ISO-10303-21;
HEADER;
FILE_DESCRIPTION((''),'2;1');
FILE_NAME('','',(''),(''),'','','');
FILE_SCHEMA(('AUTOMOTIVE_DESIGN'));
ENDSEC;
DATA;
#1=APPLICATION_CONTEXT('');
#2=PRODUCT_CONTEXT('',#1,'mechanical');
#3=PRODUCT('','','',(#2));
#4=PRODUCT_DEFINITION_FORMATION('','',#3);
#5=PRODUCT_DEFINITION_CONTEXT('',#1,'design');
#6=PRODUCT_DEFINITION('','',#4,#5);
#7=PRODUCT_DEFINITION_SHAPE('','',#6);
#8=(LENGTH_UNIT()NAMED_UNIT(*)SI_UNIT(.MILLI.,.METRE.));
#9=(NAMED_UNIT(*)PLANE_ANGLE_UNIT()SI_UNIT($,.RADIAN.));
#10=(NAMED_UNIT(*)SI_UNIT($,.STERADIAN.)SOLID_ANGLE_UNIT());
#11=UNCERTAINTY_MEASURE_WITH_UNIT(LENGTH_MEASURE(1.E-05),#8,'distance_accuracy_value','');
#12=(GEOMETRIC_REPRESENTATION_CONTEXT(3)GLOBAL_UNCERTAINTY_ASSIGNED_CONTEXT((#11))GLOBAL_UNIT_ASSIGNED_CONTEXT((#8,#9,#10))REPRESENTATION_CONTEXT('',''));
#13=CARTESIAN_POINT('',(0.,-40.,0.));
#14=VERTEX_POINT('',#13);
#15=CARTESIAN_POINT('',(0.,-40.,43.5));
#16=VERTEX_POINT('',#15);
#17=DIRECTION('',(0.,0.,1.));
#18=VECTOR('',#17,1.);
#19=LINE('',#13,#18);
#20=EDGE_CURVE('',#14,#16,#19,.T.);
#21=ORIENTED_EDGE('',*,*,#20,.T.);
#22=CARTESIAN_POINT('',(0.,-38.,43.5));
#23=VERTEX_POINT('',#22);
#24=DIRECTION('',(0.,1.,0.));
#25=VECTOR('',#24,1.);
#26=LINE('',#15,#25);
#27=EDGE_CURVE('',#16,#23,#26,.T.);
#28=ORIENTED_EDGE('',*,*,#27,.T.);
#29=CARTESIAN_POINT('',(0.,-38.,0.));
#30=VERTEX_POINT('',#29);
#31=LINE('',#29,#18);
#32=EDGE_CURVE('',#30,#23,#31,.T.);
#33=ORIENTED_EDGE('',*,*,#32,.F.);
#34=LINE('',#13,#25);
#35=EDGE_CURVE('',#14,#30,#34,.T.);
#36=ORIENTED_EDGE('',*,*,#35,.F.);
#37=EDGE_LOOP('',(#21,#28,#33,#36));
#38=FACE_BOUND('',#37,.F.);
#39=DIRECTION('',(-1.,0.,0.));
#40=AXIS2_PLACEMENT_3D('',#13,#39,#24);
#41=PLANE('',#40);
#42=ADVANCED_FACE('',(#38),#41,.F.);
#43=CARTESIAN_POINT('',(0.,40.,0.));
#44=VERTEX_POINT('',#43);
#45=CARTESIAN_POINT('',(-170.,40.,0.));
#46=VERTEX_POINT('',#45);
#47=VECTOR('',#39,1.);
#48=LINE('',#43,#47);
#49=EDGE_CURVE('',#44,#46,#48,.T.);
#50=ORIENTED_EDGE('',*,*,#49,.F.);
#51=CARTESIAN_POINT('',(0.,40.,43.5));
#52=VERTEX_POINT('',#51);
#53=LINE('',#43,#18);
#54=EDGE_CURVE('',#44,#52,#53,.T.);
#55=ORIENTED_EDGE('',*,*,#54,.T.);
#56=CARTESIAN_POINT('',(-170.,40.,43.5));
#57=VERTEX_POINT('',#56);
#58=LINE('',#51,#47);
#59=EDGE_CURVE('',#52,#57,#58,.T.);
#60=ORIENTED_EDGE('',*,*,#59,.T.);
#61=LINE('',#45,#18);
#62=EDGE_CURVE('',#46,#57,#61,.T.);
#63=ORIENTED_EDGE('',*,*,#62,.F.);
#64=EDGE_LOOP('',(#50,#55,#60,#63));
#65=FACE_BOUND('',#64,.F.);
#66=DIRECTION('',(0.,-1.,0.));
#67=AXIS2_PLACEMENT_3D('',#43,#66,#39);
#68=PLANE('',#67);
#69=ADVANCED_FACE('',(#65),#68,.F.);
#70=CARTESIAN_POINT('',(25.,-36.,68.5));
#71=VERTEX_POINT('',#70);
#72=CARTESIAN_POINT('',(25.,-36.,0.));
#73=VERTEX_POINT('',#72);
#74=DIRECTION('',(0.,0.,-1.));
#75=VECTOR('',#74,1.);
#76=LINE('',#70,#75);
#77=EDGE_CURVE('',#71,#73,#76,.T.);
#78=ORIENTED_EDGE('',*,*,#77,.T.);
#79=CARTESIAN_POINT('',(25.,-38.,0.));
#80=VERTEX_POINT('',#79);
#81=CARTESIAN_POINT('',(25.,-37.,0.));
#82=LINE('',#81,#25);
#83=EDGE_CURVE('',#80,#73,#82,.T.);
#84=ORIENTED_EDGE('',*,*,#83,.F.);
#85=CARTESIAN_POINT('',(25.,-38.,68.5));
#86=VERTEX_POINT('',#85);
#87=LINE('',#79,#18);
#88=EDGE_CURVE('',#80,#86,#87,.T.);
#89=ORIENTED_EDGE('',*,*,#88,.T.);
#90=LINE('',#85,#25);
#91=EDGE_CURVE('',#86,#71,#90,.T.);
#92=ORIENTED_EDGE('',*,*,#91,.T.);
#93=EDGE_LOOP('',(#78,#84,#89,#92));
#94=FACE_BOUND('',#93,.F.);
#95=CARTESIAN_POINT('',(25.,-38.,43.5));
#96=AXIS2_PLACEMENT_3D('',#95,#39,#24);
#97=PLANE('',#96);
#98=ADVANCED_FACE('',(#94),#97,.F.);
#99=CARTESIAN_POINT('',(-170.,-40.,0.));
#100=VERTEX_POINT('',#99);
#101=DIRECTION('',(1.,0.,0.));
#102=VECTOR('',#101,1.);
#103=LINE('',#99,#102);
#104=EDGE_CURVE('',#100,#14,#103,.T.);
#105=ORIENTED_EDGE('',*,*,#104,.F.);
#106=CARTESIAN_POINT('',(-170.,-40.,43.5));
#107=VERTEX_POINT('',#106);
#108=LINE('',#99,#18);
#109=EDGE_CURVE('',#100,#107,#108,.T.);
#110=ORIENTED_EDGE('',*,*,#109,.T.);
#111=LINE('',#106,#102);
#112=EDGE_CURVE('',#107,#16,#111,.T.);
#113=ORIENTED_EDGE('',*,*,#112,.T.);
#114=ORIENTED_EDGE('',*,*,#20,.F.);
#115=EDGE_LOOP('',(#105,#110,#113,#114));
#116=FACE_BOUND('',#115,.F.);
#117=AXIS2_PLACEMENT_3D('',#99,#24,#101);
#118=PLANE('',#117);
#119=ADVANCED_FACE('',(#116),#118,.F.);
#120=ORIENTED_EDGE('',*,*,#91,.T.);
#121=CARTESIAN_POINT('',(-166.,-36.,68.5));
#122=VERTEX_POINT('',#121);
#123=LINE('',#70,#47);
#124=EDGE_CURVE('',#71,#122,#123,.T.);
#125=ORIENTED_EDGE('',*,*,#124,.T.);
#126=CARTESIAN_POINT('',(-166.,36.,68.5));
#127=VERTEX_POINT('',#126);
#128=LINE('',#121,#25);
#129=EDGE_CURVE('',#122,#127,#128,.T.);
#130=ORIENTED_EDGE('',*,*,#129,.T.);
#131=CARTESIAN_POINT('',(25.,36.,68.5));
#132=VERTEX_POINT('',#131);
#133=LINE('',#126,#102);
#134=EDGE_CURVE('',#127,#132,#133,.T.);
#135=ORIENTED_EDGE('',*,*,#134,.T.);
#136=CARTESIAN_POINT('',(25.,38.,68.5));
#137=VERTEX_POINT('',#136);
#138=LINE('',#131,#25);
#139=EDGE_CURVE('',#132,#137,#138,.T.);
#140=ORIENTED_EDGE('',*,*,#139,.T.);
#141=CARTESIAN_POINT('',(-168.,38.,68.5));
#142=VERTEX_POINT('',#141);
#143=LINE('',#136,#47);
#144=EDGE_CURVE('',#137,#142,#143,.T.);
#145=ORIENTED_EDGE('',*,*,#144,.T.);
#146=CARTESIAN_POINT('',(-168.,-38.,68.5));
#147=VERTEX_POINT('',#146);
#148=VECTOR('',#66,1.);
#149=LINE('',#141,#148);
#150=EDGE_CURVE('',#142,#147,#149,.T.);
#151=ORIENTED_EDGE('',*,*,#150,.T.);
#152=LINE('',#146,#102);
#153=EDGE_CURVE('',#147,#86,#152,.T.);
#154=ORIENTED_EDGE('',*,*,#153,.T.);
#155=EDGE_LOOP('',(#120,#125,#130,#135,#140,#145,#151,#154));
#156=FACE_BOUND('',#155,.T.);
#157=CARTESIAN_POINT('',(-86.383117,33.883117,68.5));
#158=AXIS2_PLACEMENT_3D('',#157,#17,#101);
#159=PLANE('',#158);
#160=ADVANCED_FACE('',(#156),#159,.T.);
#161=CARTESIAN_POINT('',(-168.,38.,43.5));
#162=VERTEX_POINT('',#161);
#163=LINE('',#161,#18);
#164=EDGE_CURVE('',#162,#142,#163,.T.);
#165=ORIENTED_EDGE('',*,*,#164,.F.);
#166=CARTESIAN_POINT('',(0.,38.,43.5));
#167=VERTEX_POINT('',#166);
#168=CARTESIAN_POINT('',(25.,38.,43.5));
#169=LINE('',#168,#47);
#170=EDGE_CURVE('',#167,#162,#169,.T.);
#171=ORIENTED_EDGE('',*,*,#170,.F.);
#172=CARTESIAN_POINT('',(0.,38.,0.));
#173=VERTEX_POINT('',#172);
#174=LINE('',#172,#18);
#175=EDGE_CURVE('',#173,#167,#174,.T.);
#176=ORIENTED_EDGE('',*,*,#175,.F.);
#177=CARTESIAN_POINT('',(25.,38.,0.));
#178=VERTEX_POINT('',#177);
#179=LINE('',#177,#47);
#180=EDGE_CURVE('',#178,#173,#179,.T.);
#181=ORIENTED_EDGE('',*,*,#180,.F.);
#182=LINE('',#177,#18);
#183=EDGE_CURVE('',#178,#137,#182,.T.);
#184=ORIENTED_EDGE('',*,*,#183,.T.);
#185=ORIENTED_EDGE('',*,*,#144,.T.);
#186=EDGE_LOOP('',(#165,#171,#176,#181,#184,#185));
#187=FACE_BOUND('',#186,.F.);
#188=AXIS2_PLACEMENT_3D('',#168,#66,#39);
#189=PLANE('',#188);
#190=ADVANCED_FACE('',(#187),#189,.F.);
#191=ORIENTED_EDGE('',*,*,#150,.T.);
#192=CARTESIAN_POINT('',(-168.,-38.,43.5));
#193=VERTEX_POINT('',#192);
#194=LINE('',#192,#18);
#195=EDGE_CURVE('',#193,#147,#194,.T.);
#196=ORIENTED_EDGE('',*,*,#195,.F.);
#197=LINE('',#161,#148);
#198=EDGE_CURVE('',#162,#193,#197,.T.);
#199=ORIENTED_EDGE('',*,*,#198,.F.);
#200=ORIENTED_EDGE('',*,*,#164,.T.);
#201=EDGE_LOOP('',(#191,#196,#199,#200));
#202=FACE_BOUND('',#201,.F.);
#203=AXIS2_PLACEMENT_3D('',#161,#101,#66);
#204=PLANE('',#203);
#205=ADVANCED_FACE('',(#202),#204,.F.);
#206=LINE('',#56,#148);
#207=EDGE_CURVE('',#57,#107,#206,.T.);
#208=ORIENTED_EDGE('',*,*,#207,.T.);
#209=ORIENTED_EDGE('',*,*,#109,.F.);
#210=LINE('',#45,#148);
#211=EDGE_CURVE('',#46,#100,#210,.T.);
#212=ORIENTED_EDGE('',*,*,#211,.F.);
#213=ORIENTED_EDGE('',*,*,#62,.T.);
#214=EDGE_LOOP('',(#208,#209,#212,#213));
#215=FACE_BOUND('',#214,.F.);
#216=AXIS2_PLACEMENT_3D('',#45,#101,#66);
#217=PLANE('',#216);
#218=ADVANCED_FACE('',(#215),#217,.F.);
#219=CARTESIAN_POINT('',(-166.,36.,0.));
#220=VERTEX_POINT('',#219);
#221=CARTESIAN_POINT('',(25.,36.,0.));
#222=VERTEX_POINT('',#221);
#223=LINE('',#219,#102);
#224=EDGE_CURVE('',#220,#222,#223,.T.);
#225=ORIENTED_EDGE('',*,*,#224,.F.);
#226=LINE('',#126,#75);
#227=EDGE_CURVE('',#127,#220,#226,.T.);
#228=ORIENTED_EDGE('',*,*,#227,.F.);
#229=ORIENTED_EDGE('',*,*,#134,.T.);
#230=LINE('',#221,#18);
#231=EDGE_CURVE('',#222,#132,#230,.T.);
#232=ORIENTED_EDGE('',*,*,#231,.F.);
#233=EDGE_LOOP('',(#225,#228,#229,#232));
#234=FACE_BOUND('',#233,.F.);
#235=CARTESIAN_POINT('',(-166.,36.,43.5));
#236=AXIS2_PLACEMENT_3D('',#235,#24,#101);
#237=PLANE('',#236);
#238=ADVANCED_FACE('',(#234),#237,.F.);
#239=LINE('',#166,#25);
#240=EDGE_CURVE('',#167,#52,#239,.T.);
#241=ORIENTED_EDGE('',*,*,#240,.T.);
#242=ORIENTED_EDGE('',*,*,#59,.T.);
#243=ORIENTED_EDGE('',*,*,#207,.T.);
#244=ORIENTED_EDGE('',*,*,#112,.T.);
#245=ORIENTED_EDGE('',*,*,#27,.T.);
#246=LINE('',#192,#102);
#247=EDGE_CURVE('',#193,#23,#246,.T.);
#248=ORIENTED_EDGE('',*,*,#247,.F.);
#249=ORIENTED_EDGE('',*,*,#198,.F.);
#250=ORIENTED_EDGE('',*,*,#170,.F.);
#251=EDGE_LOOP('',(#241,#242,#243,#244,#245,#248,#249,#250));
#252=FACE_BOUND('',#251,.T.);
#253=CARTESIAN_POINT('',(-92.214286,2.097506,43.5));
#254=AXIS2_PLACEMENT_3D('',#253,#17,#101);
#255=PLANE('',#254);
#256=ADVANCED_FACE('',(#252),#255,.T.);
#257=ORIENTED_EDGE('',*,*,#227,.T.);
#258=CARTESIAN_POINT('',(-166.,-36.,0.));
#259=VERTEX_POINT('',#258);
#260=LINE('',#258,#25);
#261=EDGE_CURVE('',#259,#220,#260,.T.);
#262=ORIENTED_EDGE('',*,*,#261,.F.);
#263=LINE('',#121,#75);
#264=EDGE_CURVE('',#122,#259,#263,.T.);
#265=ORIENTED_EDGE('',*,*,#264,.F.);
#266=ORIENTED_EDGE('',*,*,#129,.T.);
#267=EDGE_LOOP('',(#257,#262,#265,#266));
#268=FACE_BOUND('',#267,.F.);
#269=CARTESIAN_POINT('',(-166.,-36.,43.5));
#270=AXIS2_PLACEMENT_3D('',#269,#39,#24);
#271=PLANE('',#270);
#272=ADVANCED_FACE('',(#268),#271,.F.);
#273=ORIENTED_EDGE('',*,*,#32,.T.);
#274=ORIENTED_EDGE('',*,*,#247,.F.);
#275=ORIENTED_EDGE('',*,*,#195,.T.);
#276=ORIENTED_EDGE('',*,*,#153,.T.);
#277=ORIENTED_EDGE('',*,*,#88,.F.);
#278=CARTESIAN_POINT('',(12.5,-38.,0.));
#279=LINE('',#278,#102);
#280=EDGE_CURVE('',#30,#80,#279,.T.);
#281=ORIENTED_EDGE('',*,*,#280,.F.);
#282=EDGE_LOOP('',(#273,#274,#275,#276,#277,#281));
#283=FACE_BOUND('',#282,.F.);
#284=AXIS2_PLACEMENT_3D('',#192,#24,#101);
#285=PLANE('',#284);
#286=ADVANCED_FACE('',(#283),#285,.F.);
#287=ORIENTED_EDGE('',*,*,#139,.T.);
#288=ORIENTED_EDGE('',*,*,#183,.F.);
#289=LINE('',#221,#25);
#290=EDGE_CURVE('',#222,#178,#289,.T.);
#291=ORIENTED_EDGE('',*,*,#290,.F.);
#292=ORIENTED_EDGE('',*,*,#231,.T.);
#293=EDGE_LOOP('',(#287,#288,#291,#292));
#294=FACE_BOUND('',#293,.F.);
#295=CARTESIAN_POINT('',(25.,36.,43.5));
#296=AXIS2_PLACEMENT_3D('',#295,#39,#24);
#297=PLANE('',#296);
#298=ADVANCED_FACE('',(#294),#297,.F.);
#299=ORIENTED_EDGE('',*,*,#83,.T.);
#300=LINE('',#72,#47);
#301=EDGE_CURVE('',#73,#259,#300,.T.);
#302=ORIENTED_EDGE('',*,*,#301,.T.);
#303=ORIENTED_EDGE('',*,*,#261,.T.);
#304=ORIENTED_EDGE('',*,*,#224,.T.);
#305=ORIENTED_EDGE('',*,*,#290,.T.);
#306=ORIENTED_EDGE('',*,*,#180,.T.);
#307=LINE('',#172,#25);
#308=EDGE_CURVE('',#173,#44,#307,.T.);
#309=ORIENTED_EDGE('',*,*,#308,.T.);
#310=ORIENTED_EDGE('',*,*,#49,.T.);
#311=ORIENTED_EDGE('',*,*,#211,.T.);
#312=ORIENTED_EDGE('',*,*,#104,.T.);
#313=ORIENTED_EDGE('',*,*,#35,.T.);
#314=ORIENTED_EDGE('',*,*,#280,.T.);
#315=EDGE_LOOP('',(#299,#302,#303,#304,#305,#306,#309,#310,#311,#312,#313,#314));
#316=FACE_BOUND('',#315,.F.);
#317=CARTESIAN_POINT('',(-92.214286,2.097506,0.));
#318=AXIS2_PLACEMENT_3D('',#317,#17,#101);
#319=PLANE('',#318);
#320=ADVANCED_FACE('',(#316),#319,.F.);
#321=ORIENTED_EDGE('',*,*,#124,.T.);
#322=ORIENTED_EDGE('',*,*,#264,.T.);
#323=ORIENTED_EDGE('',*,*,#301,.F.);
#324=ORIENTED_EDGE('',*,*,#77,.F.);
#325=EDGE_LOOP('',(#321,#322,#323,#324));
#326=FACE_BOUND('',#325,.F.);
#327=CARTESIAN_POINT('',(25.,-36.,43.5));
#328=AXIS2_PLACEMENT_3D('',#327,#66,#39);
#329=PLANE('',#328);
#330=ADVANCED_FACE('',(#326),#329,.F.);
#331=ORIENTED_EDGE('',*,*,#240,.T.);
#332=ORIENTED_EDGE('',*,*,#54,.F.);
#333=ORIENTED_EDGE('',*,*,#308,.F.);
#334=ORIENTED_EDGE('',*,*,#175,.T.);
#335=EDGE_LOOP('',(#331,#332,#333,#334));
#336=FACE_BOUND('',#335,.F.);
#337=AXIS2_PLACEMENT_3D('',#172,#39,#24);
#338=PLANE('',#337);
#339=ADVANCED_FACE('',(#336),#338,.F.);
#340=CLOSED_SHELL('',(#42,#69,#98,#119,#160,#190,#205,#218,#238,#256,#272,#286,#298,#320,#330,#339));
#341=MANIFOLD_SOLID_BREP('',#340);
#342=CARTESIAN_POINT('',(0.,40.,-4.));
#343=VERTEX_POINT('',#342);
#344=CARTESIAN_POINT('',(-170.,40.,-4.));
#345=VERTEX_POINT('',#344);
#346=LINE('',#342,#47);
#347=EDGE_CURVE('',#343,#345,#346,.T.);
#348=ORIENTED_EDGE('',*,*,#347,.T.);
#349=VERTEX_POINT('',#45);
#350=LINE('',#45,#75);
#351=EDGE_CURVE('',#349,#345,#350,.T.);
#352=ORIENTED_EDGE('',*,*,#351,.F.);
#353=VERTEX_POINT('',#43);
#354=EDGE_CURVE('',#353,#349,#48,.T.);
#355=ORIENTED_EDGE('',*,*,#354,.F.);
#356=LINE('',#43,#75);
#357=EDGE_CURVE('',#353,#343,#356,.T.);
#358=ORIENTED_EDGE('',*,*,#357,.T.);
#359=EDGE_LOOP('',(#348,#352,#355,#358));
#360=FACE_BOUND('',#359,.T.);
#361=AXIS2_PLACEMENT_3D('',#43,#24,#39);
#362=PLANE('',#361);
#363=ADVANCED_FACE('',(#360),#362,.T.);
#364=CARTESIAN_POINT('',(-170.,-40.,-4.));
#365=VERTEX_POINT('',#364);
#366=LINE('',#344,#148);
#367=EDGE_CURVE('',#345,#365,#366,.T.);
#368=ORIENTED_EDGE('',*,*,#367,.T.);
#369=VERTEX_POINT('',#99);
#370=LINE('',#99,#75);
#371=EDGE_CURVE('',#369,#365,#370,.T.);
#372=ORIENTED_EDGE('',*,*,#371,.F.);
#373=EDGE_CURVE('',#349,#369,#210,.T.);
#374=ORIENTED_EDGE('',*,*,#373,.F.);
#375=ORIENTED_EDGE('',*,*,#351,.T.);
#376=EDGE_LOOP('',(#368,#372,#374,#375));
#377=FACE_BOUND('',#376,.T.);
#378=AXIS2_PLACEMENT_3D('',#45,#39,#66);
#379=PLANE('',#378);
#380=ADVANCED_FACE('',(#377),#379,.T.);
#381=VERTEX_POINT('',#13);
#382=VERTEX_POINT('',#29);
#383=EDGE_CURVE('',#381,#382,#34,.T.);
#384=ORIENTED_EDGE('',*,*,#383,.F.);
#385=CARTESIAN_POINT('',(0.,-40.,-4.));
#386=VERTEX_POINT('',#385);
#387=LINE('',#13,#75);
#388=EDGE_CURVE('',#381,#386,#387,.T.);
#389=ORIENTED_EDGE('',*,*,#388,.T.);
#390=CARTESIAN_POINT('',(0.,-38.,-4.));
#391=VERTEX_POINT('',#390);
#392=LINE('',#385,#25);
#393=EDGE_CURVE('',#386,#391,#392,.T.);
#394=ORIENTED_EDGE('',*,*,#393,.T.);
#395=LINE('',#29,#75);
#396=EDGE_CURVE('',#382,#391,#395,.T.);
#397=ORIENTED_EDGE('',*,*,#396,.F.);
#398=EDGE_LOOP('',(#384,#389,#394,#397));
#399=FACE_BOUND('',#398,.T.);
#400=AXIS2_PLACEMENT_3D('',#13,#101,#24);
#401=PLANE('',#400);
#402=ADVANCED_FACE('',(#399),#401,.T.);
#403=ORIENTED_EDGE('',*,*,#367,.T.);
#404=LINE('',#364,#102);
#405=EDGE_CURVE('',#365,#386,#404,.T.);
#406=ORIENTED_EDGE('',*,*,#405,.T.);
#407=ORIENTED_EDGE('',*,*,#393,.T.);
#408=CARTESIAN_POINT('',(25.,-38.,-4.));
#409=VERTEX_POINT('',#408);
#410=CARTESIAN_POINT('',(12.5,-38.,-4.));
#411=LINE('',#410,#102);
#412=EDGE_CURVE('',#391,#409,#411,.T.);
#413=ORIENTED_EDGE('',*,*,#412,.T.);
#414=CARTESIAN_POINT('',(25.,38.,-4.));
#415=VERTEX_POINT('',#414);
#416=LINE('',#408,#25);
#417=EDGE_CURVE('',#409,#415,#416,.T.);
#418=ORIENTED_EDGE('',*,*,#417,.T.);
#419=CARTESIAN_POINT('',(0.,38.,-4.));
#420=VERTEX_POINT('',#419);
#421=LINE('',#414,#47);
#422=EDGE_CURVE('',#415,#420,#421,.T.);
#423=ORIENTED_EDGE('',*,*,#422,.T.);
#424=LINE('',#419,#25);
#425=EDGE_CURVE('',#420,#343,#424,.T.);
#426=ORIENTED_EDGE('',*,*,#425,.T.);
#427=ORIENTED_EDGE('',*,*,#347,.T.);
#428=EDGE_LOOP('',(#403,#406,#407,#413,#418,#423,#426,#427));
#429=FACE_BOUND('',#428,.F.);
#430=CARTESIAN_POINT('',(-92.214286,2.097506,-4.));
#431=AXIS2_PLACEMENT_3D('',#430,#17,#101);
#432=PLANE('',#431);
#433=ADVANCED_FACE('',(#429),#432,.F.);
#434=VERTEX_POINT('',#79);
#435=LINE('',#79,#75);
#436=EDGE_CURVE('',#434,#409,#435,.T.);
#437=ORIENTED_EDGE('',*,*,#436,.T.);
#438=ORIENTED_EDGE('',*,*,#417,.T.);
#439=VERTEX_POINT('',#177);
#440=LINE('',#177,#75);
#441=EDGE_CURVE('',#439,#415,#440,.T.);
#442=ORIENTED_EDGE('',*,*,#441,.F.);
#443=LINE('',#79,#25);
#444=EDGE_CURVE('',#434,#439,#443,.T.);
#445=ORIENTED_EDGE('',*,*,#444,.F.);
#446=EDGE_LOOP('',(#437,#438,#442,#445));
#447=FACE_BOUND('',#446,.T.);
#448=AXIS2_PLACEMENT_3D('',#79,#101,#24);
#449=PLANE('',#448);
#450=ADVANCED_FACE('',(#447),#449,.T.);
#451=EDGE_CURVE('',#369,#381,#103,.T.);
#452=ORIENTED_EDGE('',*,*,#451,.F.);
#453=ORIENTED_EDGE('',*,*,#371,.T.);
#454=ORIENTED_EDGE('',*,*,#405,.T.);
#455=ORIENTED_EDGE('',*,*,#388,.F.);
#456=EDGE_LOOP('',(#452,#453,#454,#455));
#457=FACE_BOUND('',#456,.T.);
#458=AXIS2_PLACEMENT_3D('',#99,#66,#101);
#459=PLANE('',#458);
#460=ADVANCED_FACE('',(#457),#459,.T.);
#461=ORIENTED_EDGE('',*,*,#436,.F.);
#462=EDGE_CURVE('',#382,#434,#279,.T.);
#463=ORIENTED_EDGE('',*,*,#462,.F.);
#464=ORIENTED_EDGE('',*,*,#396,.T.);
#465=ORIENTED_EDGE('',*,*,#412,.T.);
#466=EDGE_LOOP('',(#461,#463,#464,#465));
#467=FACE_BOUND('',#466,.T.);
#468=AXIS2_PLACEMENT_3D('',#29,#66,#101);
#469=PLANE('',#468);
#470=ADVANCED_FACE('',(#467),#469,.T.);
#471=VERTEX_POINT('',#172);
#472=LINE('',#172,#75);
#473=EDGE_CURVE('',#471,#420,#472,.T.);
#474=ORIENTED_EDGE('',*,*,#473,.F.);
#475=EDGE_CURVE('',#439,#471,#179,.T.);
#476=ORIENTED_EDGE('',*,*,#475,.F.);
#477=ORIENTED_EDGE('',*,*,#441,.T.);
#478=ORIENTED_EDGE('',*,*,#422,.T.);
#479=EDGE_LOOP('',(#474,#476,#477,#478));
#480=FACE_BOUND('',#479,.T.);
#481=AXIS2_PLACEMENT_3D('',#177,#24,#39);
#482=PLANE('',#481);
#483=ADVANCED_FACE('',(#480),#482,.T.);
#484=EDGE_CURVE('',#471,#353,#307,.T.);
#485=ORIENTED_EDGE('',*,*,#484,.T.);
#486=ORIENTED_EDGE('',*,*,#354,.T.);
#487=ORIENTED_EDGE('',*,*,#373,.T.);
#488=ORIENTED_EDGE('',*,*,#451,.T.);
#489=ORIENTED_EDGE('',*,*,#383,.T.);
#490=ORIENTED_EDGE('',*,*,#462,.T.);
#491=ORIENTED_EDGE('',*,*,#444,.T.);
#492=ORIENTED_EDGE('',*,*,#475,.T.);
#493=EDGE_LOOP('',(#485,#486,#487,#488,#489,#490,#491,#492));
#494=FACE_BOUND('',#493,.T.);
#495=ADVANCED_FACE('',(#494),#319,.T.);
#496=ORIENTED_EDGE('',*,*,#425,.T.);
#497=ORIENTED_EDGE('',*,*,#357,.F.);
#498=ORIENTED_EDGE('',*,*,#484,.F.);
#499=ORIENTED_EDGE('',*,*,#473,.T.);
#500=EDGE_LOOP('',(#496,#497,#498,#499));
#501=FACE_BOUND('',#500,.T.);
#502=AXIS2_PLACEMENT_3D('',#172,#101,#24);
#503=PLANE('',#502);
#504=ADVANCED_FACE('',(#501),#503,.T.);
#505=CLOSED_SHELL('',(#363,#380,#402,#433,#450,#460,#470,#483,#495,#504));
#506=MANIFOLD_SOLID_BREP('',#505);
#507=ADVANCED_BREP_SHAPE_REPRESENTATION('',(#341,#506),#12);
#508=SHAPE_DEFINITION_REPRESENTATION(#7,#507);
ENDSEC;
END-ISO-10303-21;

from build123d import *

# Parameters (mm, degrees)
F0_W     = 25
F0_H     = 2
F1_DEPTH = 43.5
F0_H_2   = 72
F2_DEPTH = 4
F4_DEPTH = 25


with BuildPart() as f1:
    # F0 (on Top) → F1 (new body)
    with BuildSketch(Plane.XY):
        Polygon((-166, 0), (-166, 36), (0, 36), (25, 36), (25, 38), (0, 38), (0, 40), (-170, 40), (-170, -40), (0, -40), (0, -38), (0, -36), (-166, -36), align=None)
        with Locations((12.5, -37)):
            Rectangle(F0_W, F0_H)
    extrude(amount=F1_DEPTH)

    # F3 (on face) → F4 (join)
    with BuildSketch(Plane.XY.offset(43.5)):
        Polygon((-166, 0), (-166, 36), (25, 36), (25, 38), (-168, 38), (-168, 0), align=None)
        Polygon((-166, -36), (-166, 0), (-168, 0), (-168, -38), (25, -38), (25, -36), align=None)
    extrude(amount=F4_DEPTH)


with BuildPart() as f2:
    # F0 (on Top) → F2 (new body)
    with BuildSketch(Plane.XY):
        Polygon((-166, 0), (-166, 36), (0, 36), (25, 36), (25, 38), (0, 38), (0, 40), (-170, 40), (-170, -40), (0, -40), (0, -38), (0, -36), (-166, -36), align=None)
        with Locations((12.5, -37)):
            Rectangle(F0_W, F0_H)
        Polygon((0, 36), (-166, 36), (-166, 0), (-166, -36), (0, -36), align=None)
        with Locations((12.5, 0)):
            Rectangle(F0_W, F0_H_2)
    extrude(amount=-F2_DEPTH)


solid = Compound([f1.part, f2.part])
